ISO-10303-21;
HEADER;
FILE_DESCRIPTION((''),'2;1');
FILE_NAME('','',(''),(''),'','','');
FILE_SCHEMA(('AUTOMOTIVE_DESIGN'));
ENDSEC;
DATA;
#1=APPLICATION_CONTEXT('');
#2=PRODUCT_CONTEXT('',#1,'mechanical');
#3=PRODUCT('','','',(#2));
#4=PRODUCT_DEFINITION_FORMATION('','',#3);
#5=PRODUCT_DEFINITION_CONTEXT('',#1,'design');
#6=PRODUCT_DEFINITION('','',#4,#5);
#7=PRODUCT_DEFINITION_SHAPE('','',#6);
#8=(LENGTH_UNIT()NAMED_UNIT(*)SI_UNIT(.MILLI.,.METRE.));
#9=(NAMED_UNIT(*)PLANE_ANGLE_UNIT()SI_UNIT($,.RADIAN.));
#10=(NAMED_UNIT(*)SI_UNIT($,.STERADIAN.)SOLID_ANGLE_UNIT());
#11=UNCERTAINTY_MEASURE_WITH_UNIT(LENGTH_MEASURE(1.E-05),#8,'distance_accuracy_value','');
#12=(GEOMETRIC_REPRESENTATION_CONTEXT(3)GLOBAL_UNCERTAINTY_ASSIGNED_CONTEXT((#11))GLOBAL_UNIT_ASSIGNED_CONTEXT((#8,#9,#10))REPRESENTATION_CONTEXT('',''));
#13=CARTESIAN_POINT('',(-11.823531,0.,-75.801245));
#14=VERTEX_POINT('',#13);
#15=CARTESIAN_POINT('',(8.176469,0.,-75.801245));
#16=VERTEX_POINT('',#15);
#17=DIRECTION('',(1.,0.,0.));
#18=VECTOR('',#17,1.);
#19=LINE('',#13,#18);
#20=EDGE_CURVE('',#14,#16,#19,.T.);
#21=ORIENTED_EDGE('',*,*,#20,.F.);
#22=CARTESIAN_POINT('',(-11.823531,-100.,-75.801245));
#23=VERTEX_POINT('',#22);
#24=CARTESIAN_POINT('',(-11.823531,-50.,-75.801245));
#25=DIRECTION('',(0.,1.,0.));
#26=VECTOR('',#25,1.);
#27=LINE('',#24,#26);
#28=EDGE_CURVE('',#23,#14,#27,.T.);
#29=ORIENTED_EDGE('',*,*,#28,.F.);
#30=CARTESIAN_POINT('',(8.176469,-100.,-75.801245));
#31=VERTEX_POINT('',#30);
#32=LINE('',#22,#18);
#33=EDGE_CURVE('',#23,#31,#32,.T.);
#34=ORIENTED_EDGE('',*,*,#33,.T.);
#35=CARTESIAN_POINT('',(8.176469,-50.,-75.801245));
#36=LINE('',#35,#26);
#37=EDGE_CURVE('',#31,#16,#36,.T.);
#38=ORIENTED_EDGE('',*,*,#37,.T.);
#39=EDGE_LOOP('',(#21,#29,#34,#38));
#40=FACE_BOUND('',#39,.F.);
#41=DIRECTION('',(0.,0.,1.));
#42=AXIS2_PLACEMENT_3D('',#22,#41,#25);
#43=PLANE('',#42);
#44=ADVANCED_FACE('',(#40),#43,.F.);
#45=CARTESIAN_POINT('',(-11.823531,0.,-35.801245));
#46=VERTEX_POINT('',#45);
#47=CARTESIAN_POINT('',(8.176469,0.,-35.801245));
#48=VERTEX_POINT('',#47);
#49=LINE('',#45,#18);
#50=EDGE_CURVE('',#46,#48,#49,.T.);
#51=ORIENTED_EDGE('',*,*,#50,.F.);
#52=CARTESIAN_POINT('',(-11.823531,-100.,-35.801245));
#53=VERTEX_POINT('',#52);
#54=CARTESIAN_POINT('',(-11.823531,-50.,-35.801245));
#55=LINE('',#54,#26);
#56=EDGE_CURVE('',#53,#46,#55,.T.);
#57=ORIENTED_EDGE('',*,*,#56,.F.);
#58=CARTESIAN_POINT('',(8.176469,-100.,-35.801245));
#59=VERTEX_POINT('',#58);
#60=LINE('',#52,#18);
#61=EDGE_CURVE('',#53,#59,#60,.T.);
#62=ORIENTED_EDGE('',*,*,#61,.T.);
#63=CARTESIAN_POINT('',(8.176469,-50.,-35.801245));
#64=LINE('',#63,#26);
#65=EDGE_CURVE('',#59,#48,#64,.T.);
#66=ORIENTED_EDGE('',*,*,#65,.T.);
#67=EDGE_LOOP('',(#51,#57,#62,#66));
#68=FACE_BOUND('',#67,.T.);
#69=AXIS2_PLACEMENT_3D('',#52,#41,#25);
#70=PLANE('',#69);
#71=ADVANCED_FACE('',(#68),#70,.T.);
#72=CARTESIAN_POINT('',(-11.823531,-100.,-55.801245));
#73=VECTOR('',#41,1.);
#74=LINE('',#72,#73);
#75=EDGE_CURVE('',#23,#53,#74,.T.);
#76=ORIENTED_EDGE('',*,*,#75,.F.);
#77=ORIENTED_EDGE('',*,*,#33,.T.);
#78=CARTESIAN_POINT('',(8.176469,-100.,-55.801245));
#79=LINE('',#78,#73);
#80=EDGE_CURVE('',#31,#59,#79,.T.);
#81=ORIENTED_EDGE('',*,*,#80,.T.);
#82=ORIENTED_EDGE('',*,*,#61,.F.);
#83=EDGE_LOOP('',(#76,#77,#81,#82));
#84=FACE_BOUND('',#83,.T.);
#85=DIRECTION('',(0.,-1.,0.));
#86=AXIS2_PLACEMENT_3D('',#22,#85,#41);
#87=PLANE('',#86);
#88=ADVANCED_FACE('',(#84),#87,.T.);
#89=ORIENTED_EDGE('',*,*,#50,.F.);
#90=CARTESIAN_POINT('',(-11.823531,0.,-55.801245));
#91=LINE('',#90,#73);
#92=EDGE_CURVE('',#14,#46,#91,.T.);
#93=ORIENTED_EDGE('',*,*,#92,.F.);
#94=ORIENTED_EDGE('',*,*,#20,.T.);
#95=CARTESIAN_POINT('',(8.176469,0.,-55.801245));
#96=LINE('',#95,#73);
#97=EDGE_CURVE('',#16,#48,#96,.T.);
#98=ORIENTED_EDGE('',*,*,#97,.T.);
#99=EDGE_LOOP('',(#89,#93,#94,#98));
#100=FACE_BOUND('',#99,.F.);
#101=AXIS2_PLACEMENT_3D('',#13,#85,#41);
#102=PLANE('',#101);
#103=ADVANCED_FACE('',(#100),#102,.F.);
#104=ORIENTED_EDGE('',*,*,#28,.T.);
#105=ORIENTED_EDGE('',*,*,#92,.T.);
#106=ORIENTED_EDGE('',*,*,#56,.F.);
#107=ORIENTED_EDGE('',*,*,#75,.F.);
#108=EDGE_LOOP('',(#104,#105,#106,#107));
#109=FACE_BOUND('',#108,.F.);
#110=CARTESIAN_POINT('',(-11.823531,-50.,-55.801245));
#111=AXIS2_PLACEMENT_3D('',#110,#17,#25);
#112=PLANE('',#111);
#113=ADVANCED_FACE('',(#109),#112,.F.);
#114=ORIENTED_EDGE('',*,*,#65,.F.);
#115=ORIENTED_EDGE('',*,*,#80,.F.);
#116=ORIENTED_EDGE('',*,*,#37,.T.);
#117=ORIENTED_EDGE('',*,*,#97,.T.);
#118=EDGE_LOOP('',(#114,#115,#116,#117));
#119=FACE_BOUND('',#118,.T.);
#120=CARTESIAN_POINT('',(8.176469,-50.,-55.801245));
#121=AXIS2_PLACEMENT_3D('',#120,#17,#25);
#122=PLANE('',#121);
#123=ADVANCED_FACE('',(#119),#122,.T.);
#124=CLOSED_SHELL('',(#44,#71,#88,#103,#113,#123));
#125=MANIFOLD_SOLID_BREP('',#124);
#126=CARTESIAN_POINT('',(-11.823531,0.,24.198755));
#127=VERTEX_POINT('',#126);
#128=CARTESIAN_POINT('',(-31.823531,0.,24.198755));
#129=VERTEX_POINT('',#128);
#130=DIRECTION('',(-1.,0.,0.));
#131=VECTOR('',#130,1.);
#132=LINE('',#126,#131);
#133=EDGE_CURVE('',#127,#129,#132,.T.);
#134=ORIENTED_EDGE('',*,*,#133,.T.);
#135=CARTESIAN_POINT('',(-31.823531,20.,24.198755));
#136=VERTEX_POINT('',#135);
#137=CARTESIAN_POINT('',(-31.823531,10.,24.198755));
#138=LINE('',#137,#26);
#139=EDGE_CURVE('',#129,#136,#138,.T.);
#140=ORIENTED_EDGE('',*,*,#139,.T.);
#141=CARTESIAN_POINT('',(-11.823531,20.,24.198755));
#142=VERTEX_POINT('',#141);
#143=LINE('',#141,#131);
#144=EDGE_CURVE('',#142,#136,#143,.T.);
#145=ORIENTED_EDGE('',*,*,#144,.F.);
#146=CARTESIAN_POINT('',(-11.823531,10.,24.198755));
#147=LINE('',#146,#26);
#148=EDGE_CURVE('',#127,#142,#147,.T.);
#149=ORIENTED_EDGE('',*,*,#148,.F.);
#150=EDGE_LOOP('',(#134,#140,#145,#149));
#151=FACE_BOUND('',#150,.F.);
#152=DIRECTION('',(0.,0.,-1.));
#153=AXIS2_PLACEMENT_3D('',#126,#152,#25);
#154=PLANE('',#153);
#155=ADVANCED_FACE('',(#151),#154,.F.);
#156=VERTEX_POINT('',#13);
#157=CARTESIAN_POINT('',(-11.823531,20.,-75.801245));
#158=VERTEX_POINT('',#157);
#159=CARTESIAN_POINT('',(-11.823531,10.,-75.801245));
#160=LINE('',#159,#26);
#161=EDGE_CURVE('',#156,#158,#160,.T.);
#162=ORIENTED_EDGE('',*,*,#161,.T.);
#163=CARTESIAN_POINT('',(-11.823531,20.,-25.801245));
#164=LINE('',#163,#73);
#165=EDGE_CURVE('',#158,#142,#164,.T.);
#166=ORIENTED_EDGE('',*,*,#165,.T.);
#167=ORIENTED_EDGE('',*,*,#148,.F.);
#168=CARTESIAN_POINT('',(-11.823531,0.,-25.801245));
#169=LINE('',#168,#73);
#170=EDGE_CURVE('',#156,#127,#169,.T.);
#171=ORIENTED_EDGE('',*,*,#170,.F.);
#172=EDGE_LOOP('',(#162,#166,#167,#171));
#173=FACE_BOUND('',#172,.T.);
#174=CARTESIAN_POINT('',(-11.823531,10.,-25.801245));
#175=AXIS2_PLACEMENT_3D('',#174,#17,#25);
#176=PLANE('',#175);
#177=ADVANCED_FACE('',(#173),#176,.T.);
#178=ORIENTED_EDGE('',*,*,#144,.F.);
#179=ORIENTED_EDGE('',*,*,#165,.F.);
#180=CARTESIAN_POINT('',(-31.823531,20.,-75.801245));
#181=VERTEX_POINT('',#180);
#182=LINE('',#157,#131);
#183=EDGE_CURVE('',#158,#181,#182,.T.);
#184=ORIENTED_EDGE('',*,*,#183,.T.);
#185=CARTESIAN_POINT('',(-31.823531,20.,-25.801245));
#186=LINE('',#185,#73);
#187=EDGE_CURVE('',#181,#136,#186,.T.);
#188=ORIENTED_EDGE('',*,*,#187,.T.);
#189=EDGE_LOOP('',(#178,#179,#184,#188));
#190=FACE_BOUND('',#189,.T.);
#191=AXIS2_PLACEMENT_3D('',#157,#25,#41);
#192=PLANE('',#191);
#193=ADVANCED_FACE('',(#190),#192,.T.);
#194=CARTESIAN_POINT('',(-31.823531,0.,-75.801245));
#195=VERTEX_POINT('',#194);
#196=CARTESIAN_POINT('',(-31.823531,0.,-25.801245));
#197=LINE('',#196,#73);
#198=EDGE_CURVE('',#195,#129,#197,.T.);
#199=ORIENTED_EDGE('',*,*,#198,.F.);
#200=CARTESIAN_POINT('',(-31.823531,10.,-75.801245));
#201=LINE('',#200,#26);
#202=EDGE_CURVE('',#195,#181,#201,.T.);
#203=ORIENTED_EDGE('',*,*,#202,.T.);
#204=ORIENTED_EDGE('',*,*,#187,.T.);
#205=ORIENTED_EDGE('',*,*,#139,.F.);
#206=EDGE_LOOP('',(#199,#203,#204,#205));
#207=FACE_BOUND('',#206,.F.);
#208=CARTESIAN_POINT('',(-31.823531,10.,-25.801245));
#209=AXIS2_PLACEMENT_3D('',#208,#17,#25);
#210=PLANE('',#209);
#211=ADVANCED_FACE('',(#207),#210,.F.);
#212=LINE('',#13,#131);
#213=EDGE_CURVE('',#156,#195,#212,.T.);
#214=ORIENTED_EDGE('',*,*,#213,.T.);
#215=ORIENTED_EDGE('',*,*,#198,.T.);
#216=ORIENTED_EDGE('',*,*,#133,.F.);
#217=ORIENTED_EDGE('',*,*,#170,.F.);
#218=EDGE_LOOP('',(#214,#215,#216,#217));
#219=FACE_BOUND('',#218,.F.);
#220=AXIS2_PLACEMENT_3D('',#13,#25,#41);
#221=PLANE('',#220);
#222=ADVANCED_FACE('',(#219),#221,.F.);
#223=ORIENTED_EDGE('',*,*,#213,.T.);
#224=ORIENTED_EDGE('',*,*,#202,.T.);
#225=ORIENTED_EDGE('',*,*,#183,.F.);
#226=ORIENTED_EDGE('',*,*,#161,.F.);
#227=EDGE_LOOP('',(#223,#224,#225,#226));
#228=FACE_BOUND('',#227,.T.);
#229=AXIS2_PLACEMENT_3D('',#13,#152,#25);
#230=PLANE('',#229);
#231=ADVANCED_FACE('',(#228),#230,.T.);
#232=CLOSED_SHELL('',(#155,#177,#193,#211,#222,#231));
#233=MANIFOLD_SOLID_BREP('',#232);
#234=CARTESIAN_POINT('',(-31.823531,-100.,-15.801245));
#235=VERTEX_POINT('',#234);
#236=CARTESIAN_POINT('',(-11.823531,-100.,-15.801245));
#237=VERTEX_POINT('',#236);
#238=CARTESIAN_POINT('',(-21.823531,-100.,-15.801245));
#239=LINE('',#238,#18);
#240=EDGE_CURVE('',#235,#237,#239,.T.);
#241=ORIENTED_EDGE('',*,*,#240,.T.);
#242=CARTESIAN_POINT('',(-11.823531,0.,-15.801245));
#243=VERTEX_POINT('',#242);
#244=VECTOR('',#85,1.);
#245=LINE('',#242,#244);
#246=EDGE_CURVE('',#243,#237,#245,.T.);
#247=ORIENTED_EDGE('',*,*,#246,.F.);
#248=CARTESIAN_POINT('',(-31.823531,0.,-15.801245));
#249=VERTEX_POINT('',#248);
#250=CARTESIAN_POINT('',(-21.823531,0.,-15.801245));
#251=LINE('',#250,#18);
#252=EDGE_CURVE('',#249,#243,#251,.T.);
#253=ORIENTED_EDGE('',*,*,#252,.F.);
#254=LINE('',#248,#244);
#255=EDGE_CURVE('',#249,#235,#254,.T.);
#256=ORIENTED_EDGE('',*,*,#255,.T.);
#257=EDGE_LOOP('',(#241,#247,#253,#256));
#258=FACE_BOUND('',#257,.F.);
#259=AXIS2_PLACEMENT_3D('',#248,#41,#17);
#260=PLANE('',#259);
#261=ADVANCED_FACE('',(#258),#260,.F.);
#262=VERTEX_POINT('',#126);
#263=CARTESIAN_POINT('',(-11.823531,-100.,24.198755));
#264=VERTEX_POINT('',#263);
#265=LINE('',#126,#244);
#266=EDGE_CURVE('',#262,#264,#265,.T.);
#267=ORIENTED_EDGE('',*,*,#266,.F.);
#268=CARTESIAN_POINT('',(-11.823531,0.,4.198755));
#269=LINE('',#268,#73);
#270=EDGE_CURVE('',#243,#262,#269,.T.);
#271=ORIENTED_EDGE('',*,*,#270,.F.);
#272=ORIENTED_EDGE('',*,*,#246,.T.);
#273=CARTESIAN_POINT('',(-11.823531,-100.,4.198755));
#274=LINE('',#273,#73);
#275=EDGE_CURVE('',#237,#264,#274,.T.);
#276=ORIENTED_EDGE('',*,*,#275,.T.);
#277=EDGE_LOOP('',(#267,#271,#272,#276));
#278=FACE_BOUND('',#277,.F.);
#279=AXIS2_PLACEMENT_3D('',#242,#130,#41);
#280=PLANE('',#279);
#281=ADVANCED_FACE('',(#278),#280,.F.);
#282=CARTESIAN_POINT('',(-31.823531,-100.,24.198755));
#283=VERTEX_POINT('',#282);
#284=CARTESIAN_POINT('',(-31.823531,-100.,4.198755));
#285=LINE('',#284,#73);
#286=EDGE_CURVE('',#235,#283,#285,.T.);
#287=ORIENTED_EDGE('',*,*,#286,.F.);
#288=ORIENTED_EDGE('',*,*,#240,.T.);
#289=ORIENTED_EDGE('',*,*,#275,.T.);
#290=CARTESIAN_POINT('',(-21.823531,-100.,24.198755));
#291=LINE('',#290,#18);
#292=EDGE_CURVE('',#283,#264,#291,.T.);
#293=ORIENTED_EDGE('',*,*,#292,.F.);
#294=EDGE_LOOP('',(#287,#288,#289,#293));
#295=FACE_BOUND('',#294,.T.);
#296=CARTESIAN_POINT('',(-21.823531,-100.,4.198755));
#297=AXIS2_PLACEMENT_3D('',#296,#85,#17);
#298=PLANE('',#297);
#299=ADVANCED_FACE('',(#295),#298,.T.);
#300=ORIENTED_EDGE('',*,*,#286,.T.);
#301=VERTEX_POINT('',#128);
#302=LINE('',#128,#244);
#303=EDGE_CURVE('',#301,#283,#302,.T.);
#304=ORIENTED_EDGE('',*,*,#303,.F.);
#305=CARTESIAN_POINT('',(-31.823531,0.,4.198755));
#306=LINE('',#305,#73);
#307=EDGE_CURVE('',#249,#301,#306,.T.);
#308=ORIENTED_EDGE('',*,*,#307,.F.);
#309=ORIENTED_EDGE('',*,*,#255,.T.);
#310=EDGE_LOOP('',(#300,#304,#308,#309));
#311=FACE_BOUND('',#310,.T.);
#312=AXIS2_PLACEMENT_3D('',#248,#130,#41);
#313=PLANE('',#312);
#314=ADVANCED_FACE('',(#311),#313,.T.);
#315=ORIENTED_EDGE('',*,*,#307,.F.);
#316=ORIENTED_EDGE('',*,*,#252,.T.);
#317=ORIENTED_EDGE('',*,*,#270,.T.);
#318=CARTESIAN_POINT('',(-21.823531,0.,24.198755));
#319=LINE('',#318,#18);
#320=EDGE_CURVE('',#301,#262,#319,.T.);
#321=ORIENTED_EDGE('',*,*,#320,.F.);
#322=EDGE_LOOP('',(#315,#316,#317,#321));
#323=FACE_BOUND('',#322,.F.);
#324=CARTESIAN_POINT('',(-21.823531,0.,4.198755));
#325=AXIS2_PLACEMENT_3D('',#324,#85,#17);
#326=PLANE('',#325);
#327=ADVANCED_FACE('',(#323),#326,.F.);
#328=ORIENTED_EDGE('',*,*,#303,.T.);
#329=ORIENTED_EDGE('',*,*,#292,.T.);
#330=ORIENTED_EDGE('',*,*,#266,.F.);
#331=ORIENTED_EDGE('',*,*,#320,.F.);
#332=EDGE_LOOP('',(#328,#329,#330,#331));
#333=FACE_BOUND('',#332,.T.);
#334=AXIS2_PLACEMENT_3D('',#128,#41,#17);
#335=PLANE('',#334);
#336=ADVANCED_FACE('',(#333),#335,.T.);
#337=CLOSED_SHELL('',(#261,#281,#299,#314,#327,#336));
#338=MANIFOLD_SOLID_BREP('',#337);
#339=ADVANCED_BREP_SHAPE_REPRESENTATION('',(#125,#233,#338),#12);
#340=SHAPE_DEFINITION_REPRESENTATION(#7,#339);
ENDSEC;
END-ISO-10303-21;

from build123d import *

# Parameters (mm, degrees)
F0_W     = 20
F0_H     = 40
F1_DEPTH = 100
F2_W     = 20
F2_H     = 100
F3_DEPTH = 20
F4_W     = 100
F4_H     = 40
F5_DEPTH = 20


with BuildPart() as f1:
    # F0 (on Front) → F1 (new body)
    with BuildSketch(Plane.XZ):
        with Locations((-21.823531, 4.198755)):
            Rectangle(F0_W, F0_H)
    extrude(amount=F1_DEPTH)


with BuildPart() as f3:
    # F2 (on face) → F3 (new body)
    with BuildSketch(Plane.YZ.offset(-11.823531)):
        with Locations((10, -25.801245)):
            Rectangle(F2_W, F2_H)
    extrude(amount=-F3_DEPTH)


with BuildPart() as f5:
    # F4 (on face) → F5 (new body)
    with BuildSketch(Plane.YZ.offset(-11.823531)):
        with Locations((-50, -55.801245)):
            Rectangle(F4_W, F4_H)
    extrude(amount=F5_DEPTH)


solid = Compound([f1.part, f3.part, f5.part])
